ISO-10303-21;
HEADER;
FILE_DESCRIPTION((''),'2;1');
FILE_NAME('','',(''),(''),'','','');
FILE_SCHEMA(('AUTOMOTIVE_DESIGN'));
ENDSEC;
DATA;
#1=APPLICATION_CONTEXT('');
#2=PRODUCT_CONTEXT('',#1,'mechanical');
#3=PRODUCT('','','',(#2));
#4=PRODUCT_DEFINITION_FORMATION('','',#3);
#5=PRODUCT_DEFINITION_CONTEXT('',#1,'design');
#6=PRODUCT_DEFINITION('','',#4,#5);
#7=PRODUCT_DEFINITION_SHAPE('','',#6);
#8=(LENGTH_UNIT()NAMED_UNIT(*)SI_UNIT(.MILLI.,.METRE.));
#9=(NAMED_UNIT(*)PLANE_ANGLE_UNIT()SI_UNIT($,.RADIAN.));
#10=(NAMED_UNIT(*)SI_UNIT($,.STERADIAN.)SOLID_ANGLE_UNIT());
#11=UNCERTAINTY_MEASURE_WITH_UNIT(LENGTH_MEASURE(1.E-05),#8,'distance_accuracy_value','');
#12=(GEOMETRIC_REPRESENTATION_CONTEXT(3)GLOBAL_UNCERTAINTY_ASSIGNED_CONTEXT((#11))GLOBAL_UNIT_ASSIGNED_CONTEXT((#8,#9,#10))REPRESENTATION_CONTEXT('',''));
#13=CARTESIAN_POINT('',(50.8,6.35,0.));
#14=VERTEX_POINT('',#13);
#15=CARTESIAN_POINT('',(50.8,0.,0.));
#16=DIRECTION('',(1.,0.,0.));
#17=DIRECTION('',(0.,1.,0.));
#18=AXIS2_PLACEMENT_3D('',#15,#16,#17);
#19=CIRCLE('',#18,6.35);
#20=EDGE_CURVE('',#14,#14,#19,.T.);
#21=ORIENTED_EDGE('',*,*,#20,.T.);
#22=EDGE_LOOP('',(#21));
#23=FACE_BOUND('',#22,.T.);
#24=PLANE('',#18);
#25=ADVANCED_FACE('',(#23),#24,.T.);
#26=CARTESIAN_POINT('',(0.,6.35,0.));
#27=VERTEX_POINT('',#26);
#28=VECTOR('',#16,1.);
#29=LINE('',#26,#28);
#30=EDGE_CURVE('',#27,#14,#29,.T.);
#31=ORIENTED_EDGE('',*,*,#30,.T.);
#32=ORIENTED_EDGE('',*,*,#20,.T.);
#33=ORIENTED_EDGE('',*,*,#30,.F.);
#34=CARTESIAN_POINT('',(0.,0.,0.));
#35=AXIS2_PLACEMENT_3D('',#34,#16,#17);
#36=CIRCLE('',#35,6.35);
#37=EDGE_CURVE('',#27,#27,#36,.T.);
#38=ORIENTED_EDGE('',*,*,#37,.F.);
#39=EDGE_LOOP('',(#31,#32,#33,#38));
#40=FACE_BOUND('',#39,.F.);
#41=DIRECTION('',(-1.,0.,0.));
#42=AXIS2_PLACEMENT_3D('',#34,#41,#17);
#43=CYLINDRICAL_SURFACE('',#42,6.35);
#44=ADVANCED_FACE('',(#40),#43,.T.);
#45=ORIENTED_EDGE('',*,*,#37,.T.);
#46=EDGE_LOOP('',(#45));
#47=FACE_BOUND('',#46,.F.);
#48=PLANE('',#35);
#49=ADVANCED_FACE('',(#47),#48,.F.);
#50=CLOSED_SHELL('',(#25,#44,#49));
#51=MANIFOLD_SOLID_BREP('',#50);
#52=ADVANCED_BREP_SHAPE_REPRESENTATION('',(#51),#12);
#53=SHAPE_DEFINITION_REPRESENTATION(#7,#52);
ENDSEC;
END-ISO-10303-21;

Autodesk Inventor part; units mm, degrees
ref_plane "YZ Plane" through (0, 0, 0) normal (1, 0, 0) x (0, 1, 0)
ref_plane "XZ Plane" through (0, 0, 0) normal (0, 1, 0) x (-1, 0, 0)
ref_plane "XY Plane" through (0, 0, 0) normal (0, 0, 1) x (1, 0, 0)
sketch "Sketch1" plane through (0, 0, 0) normal (1, 0, 0) x (0, 1, 0)
  circle A0 centre (0, 0) radius 6.35
  dimension "d0" = 12.7
extrude "Extrusion1" add sketch "Sketch1" along normal blind 50.8
properties part number "HarnessBar"
